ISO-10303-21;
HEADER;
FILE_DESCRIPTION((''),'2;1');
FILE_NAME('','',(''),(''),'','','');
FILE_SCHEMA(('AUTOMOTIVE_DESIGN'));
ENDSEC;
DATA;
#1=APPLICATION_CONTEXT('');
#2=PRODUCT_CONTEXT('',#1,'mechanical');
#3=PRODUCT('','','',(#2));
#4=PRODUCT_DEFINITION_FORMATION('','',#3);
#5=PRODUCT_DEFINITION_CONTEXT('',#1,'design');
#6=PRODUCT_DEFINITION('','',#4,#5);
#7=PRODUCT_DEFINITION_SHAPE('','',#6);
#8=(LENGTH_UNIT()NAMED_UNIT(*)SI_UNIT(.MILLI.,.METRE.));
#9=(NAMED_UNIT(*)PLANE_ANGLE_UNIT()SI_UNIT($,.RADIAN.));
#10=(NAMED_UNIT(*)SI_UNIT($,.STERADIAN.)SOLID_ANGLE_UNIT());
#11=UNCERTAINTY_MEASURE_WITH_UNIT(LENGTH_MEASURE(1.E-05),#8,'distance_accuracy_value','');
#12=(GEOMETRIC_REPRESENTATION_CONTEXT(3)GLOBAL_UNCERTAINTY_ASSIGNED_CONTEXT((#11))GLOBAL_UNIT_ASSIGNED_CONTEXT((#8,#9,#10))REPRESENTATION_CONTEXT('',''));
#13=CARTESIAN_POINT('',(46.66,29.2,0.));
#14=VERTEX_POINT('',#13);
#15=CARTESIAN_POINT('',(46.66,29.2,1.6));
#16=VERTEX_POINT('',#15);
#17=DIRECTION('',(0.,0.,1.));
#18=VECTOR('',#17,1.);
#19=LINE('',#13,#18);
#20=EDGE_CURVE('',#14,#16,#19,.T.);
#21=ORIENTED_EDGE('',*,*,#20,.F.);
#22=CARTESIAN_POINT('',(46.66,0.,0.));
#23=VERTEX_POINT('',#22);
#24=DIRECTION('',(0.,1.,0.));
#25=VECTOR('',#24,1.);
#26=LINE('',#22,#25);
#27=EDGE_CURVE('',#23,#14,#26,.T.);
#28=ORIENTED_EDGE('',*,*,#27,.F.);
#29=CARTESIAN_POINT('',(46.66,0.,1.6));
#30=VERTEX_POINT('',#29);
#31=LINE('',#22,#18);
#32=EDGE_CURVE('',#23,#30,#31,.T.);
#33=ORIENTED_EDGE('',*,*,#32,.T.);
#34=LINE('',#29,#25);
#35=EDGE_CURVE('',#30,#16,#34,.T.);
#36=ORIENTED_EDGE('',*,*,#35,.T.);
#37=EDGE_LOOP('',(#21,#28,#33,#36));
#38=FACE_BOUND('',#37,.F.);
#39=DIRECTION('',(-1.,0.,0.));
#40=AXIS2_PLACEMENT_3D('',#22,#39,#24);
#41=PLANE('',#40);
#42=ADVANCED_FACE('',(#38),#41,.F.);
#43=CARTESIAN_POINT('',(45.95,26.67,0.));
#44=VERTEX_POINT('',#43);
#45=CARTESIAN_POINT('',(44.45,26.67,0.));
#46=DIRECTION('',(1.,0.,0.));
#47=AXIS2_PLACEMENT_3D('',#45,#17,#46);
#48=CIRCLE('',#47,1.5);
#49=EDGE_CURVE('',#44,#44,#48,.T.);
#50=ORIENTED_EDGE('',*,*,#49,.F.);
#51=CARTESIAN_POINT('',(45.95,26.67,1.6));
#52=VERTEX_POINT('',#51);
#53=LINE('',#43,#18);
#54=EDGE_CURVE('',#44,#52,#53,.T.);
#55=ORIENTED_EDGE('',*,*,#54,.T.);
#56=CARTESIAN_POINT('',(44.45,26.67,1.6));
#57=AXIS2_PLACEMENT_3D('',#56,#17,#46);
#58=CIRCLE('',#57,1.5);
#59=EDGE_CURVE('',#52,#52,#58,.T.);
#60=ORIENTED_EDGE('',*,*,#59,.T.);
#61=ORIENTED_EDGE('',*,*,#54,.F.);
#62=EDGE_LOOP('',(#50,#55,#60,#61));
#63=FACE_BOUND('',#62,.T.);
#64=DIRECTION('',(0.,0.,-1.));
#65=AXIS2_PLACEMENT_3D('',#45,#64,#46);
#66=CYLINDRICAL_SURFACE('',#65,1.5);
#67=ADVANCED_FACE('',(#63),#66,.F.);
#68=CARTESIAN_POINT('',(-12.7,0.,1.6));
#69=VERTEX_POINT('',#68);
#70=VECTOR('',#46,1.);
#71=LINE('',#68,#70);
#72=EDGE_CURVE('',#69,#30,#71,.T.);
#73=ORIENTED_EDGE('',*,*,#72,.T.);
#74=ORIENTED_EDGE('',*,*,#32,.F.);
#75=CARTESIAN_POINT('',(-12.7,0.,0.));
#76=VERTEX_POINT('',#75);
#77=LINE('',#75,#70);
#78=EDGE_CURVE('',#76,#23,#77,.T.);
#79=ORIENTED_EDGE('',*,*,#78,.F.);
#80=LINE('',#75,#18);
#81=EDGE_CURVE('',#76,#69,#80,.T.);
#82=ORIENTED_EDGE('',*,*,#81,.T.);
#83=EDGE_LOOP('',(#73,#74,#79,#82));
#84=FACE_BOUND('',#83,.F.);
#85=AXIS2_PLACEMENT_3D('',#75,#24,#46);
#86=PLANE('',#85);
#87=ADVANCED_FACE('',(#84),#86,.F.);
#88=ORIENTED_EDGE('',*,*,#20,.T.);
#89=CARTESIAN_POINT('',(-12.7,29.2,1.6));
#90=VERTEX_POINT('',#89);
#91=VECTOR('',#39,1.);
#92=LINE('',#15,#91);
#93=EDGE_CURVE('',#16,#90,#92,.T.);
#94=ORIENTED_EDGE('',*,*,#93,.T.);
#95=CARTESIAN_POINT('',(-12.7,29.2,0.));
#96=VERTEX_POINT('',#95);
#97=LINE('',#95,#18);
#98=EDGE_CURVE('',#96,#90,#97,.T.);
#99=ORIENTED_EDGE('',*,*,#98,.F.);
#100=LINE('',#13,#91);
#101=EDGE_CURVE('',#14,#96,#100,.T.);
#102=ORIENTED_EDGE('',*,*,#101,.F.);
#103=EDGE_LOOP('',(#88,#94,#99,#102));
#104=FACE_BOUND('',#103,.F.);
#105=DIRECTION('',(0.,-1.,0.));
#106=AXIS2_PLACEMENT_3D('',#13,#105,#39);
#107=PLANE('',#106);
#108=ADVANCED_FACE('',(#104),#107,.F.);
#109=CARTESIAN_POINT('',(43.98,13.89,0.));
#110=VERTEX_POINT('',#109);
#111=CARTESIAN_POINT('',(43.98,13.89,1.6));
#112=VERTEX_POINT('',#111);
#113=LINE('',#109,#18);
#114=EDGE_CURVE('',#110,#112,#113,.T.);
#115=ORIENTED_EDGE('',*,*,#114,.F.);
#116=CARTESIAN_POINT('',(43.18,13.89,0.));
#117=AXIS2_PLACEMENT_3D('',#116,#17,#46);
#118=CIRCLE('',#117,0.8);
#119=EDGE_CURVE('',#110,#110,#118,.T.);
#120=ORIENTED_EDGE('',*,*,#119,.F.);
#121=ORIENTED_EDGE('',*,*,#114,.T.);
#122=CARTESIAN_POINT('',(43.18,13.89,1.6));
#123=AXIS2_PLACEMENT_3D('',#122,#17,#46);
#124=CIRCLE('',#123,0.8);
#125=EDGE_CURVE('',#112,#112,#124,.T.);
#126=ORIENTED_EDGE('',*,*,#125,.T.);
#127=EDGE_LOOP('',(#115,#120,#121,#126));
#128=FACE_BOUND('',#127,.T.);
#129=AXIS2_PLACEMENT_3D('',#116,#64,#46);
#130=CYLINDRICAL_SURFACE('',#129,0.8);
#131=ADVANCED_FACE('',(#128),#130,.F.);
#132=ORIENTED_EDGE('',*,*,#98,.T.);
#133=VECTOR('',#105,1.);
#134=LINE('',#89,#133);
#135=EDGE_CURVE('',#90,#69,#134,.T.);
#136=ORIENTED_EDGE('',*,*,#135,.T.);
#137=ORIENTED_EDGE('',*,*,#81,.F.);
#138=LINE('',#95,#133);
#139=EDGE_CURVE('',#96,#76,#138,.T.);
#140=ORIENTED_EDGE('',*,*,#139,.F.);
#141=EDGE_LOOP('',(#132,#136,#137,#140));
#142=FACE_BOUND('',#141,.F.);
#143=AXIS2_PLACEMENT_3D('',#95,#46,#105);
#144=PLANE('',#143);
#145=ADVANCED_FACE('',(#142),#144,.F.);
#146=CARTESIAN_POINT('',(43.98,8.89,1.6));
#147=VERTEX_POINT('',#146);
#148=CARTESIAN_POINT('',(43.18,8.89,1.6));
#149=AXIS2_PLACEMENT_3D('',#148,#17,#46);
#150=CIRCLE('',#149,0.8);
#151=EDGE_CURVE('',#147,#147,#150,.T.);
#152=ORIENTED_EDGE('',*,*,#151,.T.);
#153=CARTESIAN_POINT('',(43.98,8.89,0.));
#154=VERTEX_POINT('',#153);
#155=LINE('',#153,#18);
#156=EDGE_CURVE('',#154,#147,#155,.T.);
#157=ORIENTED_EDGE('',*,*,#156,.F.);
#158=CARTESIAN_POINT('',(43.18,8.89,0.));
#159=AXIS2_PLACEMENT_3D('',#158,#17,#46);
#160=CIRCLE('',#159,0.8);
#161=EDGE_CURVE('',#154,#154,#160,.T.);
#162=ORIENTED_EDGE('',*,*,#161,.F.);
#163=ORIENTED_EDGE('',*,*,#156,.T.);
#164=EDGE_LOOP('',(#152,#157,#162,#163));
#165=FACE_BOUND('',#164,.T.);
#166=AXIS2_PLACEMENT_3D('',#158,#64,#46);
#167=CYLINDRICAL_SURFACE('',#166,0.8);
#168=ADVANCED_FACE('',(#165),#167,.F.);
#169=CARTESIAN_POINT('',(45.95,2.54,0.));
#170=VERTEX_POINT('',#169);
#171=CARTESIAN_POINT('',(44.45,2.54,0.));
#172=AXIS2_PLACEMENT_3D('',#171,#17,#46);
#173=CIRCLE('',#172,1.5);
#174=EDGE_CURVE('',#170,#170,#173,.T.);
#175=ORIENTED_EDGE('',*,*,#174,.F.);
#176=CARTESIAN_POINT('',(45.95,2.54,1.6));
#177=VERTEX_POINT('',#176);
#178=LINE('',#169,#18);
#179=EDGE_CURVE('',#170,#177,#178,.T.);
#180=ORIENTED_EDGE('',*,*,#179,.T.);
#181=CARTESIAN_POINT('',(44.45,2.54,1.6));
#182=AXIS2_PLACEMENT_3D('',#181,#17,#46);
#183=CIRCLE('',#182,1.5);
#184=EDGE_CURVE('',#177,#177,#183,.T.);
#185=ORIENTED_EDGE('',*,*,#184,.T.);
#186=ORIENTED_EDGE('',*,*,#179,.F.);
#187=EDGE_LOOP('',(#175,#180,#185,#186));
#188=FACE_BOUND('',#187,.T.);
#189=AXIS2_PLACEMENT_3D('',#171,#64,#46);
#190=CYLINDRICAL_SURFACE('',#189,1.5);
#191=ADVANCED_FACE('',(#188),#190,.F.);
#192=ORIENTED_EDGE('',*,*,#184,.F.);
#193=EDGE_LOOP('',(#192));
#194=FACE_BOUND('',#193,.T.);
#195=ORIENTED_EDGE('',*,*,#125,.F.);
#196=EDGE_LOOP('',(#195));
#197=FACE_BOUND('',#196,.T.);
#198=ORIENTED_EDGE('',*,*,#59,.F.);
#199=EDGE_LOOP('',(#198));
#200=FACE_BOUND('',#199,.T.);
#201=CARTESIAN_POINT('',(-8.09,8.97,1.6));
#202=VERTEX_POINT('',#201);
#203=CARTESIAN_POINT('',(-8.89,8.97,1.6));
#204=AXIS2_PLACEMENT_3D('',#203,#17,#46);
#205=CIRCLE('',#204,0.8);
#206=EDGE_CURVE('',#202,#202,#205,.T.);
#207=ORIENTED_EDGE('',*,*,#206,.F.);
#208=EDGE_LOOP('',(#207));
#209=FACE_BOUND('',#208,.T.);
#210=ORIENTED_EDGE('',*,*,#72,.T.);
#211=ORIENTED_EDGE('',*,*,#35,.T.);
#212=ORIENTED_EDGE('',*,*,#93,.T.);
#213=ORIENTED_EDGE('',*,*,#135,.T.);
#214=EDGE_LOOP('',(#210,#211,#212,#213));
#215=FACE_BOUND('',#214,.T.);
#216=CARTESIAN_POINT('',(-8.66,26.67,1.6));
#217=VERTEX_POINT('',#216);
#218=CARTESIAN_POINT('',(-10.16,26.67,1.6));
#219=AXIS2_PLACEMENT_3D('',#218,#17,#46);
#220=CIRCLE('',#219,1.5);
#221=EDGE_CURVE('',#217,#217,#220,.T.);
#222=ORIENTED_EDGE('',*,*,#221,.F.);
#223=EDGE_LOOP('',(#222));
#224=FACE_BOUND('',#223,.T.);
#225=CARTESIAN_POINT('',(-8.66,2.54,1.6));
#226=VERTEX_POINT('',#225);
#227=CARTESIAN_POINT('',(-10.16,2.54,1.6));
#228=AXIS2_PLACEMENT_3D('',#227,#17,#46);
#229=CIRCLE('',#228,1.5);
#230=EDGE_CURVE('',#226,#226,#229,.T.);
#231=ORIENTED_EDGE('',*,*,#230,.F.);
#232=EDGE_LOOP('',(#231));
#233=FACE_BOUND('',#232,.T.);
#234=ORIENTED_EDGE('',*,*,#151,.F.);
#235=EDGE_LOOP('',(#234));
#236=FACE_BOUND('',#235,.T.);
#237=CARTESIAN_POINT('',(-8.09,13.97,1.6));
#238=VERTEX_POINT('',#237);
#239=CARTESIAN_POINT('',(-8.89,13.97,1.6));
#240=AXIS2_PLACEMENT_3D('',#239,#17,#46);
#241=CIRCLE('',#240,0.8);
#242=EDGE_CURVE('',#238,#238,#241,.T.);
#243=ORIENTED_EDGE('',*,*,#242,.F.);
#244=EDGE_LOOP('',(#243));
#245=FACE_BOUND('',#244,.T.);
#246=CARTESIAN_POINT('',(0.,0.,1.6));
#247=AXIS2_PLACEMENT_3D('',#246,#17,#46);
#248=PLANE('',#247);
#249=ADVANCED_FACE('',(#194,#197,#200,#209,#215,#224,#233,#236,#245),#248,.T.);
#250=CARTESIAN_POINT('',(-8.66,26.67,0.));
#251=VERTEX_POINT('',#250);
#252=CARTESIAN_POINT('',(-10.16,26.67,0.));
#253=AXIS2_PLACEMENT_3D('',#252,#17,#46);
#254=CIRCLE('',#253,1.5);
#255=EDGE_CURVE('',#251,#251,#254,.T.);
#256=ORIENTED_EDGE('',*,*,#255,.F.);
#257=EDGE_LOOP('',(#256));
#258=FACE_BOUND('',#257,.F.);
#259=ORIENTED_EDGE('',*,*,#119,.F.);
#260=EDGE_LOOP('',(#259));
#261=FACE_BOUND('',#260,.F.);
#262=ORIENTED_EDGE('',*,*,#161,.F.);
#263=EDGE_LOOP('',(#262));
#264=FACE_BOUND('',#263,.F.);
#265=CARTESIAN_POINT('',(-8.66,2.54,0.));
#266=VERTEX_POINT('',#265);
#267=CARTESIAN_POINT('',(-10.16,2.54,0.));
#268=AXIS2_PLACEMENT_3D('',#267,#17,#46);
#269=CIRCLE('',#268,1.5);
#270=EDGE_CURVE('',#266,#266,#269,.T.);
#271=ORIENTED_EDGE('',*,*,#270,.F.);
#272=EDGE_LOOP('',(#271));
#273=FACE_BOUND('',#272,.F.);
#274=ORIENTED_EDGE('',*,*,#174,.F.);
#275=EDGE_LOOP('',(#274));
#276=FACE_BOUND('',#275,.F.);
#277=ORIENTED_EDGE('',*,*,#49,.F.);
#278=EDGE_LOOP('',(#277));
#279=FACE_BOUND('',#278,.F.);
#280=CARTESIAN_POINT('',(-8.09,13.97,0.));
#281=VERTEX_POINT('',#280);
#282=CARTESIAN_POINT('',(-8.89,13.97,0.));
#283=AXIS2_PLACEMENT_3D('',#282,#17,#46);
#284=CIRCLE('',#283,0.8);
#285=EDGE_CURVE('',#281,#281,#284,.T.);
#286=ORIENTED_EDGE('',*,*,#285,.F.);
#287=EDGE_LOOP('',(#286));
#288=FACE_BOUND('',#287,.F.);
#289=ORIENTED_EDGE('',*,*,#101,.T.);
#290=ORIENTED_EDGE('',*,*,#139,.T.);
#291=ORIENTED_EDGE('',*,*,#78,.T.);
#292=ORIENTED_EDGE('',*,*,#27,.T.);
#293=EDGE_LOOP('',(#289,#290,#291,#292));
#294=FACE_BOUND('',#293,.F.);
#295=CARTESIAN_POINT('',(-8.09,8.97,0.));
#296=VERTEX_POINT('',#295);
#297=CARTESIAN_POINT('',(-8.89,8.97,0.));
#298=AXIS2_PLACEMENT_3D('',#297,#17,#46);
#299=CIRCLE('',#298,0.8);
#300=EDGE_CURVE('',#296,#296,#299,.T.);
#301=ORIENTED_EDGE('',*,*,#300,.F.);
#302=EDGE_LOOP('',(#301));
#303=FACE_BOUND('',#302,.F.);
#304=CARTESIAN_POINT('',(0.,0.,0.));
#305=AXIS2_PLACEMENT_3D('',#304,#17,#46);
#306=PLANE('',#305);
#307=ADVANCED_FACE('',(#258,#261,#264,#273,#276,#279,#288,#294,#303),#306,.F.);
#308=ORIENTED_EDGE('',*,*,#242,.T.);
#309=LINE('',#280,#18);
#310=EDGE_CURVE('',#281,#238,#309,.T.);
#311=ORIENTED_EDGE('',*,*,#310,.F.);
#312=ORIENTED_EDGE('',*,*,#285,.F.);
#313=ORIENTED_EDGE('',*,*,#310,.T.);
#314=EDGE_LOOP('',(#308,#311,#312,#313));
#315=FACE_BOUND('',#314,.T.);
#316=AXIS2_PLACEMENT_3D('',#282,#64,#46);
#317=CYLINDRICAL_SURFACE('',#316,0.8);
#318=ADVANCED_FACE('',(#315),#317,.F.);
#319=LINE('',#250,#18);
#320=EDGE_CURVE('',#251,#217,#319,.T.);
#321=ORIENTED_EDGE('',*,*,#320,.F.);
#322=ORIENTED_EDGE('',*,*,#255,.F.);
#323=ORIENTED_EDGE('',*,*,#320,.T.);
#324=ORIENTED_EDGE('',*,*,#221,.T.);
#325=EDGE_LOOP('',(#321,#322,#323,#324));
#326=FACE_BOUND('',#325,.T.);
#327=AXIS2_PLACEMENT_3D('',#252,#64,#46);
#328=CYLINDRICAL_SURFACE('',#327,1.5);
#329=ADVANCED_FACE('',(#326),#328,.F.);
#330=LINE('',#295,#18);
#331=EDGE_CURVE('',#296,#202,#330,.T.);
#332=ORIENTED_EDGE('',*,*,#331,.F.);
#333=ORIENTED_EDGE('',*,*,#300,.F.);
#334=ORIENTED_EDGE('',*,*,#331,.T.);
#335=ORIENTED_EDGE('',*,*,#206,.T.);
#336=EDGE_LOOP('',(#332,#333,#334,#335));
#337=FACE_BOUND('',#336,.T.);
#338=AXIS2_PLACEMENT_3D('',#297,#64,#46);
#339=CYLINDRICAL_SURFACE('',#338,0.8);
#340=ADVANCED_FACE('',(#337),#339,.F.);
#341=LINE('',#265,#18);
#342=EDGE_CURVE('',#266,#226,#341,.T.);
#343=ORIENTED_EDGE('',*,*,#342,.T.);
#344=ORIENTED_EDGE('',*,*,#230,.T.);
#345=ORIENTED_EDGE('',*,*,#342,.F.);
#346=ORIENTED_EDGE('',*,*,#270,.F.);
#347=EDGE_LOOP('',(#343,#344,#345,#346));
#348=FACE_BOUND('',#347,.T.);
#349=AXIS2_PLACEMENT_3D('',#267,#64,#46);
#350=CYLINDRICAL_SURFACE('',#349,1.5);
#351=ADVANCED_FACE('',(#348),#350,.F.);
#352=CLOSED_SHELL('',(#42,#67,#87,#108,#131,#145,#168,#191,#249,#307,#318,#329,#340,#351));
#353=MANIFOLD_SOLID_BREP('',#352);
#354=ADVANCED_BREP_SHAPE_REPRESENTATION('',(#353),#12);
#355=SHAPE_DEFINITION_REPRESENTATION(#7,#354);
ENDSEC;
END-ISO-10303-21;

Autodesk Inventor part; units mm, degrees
ref_plane "YZ Plane" through (0, 0, 0) normal (1, 0, 0) x (0, 1, 0)
ref_plane "XZ Plane" through (0, 0, 0) normal (0, 1, 0) x (-1, 0, 0)
ref_plane "XY Plane" through (0, 0, 0) normal (0, 0, 1) x (1, 0, 0)
sketch "Эскиз1" plane through (0, 0, 0) normal (0, 0, 1) x (1, 0, 0)
  line L0 (-12.7, 0) -> (46.66, 0)
  line L1 (46.66, 0) -> (46.66, 29.2)
  line L2 (46.66, 29.2) -> (-12.7, 29.2)
  line L3 (-12.7, 29.2) -> (-12.7, 0)
  circle A0 centre (-8.89, 13.97) radius 0.8
  circle A1 centre (-8.89, 8.97) radius 0.8
  circle A2 centre (43.18, 8.89) radius 0.8
  circle A3 centre (43.18, 13.89) radius 0.8
  circle A4 centre (-10.16, 26.67) radius 1.5
  circle A5 centre (44.45, 26.67) radius 1.5
  circle A6 centre (44.45, 2.54) radius 1.5
  circle A7 centre (-10.16, 2.54) radius 1.5
extrude "untitled.brdКонтур" add sketch "Эскиз1" along normal blind 1.6
properties part number "untitled.brdКонтур"
